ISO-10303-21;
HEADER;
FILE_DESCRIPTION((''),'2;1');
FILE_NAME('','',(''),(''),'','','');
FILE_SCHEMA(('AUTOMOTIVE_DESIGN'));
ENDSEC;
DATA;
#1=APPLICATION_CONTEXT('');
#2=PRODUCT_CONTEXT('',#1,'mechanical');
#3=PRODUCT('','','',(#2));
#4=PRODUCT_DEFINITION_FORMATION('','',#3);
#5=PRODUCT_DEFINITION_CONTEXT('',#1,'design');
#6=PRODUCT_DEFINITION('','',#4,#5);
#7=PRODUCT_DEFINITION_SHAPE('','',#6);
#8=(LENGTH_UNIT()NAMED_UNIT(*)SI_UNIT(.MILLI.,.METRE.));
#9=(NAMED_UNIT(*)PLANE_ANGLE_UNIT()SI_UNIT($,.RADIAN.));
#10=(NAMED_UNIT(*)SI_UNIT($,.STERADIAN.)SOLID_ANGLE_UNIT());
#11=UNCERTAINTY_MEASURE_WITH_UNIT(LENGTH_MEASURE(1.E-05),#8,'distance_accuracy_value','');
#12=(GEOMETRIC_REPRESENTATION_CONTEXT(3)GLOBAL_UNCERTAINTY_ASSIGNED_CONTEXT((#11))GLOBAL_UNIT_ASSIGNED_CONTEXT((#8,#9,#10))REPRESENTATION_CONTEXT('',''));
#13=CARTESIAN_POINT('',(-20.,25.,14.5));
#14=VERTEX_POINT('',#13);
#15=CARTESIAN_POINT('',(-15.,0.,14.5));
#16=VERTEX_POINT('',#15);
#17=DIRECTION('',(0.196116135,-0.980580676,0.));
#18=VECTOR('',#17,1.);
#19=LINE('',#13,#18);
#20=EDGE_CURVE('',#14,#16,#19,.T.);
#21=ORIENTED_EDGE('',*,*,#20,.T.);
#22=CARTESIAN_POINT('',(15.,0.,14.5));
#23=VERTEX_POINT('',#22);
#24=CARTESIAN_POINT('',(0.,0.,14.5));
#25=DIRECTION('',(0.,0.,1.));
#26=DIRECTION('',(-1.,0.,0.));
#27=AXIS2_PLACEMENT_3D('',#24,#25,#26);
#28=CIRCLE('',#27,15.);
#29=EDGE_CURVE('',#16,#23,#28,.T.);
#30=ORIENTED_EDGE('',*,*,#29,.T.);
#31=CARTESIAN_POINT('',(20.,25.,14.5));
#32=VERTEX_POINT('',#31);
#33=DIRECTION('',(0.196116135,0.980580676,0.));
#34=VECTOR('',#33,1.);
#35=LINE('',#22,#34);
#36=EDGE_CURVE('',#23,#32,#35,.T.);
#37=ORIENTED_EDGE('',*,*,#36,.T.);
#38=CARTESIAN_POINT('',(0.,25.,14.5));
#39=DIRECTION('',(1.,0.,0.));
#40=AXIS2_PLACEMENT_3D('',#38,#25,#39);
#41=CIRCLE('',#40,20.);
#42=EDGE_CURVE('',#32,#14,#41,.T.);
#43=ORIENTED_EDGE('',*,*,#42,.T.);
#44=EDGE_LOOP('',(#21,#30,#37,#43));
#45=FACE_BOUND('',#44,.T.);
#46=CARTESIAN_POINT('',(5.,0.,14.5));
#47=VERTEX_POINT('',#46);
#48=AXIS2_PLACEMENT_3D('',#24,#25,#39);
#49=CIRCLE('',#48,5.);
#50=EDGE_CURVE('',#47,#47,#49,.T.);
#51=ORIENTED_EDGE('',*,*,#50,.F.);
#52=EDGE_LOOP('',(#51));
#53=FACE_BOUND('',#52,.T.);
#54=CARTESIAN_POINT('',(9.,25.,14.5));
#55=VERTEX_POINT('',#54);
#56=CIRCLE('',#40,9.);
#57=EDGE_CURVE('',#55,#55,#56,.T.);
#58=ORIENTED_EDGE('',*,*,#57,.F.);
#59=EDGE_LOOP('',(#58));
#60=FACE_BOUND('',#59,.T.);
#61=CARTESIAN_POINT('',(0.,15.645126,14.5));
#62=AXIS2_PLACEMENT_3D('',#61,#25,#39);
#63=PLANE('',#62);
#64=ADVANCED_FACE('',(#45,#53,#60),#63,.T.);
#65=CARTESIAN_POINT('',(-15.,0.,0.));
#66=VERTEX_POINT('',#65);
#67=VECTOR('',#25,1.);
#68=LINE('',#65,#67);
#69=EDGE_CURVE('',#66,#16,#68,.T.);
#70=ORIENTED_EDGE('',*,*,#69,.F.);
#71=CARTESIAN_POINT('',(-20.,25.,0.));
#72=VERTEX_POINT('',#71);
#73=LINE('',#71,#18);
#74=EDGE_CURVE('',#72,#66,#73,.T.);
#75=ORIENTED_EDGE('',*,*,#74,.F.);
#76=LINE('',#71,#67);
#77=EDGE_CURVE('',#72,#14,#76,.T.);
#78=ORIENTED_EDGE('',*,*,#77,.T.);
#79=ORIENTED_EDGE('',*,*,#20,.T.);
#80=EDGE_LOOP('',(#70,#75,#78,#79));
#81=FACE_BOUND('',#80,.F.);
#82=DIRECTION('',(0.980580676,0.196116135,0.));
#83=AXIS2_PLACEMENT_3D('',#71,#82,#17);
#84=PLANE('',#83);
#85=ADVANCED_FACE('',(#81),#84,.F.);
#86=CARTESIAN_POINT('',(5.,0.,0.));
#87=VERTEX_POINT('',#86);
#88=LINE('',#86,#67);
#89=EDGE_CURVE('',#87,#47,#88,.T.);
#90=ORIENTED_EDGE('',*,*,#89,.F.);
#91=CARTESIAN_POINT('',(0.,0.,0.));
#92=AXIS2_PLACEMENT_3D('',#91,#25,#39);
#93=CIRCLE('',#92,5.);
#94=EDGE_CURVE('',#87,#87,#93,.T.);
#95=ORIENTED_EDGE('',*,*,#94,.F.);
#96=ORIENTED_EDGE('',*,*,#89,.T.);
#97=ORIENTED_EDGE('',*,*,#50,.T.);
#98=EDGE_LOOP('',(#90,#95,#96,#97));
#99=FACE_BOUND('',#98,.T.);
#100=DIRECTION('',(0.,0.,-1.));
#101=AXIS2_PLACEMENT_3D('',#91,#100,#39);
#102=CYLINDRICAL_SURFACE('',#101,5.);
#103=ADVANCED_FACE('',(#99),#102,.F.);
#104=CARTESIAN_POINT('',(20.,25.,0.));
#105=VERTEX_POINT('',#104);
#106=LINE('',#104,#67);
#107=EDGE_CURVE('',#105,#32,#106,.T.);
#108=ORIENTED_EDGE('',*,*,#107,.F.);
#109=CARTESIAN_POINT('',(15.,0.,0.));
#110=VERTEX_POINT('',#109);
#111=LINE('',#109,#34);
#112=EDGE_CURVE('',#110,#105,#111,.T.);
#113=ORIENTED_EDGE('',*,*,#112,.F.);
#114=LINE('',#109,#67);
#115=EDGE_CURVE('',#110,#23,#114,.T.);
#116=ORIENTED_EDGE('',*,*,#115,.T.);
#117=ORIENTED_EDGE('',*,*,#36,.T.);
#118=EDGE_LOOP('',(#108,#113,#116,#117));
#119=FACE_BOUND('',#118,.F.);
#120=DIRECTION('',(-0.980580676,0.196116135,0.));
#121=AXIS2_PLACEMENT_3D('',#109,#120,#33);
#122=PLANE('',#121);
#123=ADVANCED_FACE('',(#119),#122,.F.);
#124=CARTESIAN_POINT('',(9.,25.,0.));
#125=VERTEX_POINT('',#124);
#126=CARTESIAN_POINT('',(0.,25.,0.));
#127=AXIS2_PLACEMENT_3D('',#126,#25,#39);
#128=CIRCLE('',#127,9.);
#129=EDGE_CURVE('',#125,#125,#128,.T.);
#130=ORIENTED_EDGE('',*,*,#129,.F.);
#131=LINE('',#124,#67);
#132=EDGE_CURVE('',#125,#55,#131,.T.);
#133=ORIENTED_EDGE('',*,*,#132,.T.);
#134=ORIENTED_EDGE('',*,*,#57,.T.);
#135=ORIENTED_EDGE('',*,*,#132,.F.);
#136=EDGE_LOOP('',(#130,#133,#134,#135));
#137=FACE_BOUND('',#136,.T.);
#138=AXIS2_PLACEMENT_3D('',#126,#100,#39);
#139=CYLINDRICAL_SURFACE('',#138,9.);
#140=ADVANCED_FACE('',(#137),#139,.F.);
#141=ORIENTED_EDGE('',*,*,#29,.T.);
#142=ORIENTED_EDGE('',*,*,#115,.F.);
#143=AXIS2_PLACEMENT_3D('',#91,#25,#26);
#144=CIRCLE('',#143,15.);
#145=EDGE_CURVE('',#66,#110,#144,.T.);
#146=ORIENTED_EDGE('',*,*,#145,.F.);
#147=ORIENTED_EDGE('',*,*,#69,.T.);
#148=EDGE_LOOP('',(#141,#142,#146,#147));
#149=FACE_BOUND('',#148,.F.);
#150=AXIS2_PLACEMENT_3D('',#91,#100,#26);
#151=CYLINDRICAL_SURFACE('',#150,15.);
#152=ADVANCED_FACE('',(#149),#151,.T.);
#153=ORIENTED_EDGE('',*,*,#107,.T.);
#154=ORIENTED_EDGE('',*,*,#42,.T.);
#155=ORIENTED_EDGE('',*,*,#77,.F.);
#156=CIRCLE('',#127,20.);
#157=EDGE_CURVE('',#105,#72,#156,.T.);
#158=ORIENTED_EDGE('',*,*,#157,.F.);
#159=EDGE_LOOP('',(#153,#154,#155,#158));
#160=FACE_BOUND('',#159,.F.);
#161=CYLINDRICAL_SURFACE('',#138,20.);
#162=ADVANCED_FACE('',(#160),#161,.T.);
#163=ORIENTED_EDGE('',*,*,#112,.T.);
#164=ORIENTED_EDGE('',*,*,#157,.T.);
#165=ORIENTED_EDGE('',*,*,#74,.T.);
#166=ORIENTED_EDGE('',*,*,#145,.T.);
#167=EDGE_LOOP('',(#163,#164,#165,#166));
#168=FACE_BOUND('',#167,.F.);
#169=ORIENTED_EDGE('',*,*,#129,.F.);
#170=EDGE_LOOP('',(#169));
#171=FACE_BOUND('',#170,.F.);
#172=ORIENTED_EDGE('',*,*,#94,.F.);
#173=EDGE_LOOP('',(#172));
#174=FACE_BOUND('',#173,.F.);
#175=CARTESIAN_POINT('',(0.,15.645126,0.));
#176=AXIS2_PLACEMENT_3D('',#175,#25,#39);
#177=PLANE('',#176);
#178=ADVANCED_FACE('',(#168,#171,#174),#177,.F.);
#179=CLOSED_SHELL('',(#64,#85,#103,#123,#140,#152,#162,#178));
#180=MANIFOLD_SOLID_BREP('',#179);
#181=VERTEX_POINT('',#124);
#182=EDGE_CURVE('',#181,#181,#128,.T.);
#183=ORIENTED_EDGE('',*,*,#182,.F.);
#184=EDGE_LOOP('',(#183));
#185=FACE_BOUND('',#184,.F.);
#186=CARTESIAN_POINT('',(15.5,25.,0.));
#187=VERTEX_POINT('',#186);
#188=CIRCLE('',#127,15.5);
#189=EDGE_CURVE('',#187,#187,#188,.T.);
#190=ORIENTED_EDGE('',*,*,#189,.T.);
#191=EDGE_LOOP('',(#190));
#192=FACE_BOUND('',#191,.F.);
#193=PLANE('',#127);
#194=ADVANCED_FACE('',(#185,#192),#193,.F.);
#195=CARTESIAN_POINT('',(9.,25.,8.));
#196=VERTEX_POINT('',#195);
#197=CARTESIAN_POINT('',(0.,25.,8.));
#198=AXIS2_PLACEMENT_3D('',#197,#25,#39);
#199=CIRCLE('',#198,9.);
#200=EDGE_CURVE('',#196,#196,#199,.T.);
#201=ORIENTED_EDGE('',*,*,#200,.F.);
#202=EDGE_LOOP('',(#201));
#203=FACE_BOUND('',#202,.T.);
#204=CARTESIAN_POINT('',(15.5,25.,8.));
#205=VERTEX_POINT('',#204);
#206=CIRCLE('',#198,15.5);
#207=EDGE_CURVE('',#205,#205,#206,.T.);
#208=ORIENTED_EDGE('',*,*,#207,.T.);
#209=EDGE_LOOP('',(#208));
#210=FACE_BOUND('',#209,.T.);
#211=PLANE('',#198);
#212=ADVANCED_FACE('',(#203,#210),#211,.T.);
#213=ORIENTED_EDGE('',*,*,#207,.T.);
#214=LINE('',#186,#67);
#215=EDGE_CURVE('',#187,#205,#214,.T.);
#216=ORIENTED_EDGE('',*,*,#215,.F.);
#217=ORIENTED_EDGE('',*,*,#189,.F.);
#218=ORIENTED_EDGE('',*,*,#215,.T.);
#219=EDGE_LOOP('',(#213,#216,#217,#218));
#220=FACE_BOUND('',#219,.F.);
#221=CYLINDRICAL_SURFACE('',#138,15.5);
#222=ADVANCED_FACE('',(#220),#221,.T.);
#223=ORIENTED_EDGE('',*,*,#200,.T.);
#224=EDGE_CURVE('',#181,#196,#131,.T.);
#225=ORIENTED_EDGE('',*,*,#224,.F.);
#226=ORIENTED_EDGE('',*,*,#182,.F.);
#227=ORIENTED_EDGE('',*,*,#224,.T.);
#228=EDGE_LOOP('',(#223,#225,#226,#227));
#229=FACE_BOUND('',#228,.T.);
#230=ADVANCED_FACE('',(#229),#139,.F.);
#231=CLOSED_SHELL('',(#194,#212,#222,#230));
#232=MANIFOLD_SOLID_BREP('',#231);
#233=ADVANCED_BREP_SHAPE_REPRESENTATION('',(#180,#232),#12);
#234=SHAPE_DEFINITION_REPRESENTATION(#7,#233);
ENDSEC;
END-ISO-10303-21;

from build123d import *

# Parameters (mm, degrees)
F0_R     = 5
F0_R_2   = 9
F1_DEPTH = 14.5
F2_R     = 15.5
F2_R_2   = 9
F3_DEPTH = 8


with BuildPart() as f1:
    # F0 (on Top) → F1 (new body)
    with BuildSketch(Plane.XY):
        with BuildLine():
            Line((15, 0), (20, 25))
            ThreePointArc((20, 25), (0, 45), (-20, 25))
            Line((-20, 25), (-15, 0))
            ThreePointArc((-15, 0), (0, -15), (15, 0))
        make_face()
        Circle(F0_R, mode=Mode.SUBTRACT)
        with Locations((0, 25)):
            Circle(F0_R_2, mode=Mode.SUBTRACT)
    extrude(amount=F1_DEPTH)


with BuildPart() as f3:
    # F2 (on Top) → F3 (new body)
    with BuildSketch(Plane.XY):
        with Locations((0, 25)):
            Circle(F2_R)
        with Locations((0, 25)):
            Circle(F2_R_2, mode=Mode.SUBTRACT)
    extrude(amount=F3_DEPTH)


solid = Compound([f1.part, f3.part])
